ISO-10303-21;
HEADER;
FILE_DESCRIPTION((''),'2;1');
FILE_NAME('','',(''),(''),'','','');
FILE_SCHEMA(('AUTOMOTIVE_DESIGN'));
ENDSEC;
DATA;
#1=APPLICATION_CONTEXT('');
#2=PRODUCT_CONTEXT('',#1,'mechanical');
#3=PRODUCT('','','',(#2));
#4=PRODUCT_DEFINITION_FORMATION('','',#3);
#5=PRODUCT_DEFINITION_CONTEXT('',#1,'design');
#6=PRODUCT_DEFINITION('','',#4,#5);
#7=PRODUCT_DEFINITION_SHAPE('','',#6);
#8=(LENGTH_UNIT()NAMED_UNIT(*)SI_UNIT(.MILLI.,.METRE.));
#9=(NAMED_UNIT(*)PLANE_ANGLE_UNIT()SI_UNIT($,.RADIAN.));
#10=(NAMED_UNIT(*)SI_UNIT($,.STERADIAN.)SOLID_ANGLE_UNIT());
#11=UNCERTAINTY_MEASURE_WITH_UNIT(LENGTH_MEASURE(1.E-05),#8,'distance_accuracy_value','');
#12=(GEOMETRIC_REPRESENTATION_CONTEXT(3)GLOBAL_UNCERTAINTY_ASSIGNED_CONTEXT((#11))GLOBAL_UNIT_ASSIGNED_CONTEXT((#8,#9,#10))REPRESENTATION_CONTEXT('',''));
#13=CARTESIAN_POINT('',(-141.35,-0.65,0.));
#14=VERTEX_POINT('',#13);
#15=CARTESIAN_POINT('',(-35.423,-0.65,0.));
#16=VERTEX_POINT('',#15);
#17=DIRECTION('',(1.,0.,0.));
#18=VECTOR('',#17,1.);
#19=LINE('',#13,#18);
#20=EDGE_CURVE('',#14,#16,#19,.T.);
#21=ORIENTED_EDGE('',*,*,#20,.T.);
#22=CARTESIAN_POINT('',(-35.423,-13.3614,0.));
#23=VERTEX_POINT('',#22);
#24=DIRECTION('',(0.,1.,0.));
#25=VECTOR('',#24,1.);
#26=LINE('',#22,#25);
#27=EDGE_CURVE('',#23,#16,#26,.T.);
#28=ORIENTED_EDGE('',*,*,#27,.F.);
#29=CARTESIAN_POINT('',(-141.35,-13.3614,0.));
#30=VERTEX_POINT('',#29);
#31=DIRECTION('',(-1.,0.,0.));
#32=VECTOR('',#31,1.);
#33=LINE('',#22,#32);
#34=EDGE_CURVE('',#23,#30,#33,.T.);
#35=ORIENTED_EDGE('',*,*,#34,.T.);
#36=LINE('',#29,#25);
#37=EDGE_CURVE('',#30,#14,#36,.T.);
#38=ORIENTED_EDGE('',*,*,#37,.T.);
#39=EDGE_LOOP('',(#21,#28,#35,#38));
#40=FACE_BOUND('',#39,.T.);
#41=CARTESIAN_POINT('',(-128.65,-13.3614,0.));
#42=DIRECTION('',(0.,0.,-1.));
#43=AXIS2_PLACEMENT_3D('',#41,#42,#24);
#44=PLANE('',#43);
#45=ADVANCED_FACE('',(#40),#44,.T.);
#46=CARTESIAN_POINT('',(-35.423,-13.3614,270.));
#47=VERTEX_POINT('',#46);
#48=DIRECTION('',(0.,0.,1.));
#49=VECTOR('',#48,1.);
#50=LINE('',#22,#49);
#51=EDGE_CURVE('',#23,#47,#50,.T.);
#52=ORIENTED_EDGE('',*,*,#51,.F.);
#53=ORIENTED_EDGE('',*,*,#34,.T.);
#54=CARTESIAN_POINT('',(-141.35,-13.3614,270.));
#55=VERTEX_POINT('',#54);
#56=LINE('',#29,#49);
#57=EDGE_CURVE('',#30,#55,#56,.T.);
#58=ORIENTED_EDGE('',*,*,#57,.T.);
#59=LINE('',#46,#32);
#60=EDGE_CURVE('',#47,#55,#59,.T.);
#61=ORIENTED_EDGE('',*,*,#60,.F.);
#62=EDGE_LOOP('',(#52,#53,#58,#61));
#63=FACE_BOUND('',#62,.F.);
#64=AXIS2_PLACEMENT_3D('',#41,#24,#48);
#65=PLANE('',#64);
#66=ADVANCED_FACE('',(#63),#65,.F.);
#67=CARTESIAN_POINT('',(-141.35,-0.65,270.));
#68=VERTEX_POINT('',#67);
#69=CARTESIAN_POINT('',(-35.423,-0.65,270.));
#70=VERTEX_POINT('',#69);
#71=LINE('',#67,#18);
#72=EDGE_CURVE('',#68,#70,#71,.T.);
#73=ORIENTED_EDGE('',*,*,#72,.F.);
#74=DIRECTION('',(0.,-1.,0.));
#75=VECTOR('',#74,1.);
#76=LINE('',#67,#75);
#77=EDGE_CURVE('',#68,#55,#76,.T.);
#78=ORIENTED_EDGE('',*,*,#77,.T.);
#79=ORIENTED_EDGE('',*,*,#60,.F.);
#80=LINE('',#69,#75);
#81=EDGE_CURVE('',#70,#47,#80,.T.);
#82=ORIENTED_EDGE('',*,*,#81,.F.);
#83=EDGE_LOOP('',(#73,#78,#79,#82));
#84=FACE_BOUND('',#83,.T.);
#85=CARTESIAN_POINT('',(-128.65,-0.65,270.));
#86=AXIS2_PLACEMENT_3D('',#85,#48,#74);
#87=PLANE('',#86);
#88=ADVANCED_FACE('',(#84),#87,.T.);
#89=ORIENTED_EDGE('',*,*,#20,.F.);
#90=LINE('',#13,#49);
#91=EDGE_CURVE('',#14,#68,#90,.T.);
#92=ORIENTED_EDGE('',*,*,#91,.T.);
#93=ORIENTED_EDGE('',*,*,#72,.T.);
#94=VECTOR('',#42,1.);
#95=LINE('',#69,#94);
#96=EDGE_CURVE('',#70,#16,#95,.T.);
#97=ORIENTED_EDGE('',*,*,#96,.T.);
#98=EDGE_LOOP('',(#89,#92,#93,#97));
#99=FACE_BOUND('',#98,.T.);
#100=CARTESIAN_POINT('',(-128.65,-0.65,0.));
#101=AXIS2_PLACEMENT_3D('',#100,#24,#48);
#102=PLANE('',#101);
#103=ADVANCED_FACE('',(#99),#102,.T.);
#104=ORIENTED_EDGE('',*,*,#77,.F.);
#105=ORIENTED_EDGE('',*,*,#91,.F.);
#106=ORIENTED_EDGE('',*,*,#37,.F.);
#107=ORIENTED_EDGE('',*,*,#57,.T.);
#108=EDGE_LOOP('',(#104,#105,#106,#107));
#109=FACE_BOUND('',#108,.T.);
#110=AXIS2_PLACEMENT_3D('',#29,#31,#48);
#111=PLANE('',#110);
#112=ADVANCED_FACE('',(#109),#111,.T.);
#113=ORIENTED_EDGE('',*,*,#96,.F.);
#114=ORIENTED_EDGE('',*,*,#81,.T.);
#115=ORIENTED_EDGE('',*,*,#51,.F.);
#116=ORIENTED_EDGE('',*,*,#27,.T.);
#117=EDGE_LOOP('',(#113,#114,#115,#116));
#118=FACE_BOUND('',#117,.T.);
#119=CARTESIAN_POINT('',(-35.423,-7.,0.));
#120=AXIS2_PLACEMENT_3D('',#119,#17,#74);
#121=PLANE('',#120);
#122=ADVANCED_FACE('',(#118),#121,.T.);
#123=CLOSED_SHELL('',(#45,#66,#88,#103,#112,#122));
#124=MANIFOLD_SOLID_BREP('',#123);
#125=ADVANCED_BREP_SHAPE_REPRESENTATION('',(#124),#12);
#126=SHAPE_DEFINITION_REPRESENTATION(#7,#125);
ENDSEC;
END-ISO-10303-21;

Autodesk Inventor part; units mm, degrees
ref_plane "YZ Plane" through (0, 0, 0) normal (1, 0, 0) x (0, 1, 0)
ref_plane "XZ Plane" through (0, 0, 0) normal (0, 1, 0) x (-1, 0, 0)
ref_plane "XY Plane" through (0, 0, 0) normal (0, 0, 1) x (1, 0, 0)
sketch "Sketch1" plane through (0, 0, 0) normal (0, 0, 1) x (1, 0, 0)
  line L0 (-135, -7) -> (-35.423, -7) projected
  line L1 (-128.65, -70.65) -> (-128.65, -7) projected
  line L2 (135, -70.65) -> (-135, -70.65) projected
  line L3 (-128.65, -7) -> (-35.423, -7)
  line L4 (-35.423, -7) -> (-35.423, -13.3614)
  line L5 (-35.423, -13.3614) -> (-128.65, -13.3614)
  line L6 (-128.65, -13.3614) -> (-128.65, -7)
  point P0 (0, 0)
extrude "Extrusion1" add sketch "Sketch1" along normal blind 270
sketch "Sketch2" plane through (-128.65, -7, 0) normal (0, 1, 0) x (1, 0, 0)
  line L0 (93.227, -270) -> (0, -270) projected
  line L1 (93.227, 0) -> (0, 0) projected
  line L2 (0, -270) -> (93.227, -270)
  line L3 (93.227, -270) -> (93.227, 0)
  line L4 (93.227, 0) -> (0, 0)
  line L5 (0, 0) -> (0, -270)
  point P0 (128.65, 0)
extrude "Extrusion2" add sketch "Sketch2" along normal blind 6.35
sketch "Sketch3" plane through (-128.65, -13.3614, 0) normal (-1, 0, 0) x (0, 0, 1)
  line L0 (0, 0) -> (270, 0) projected
  line L1 (0, 0) -> (0, 12.7114) projected
  line L2 (270, 0) -> (0, 0)
  line L3 (0, 0) -> (0, 12.7114)
  line L4 (0, 12.7114) -> (270, 12.7114)
  line L5 (270, 12.7114) -> (270, 0)
  point P0 (0, 13.3614)
extrude "Extrusion3" add sketch "Sketch3" along normal blind 12.7
properties part number "Arm Rest" material "Wood (Birch)"
